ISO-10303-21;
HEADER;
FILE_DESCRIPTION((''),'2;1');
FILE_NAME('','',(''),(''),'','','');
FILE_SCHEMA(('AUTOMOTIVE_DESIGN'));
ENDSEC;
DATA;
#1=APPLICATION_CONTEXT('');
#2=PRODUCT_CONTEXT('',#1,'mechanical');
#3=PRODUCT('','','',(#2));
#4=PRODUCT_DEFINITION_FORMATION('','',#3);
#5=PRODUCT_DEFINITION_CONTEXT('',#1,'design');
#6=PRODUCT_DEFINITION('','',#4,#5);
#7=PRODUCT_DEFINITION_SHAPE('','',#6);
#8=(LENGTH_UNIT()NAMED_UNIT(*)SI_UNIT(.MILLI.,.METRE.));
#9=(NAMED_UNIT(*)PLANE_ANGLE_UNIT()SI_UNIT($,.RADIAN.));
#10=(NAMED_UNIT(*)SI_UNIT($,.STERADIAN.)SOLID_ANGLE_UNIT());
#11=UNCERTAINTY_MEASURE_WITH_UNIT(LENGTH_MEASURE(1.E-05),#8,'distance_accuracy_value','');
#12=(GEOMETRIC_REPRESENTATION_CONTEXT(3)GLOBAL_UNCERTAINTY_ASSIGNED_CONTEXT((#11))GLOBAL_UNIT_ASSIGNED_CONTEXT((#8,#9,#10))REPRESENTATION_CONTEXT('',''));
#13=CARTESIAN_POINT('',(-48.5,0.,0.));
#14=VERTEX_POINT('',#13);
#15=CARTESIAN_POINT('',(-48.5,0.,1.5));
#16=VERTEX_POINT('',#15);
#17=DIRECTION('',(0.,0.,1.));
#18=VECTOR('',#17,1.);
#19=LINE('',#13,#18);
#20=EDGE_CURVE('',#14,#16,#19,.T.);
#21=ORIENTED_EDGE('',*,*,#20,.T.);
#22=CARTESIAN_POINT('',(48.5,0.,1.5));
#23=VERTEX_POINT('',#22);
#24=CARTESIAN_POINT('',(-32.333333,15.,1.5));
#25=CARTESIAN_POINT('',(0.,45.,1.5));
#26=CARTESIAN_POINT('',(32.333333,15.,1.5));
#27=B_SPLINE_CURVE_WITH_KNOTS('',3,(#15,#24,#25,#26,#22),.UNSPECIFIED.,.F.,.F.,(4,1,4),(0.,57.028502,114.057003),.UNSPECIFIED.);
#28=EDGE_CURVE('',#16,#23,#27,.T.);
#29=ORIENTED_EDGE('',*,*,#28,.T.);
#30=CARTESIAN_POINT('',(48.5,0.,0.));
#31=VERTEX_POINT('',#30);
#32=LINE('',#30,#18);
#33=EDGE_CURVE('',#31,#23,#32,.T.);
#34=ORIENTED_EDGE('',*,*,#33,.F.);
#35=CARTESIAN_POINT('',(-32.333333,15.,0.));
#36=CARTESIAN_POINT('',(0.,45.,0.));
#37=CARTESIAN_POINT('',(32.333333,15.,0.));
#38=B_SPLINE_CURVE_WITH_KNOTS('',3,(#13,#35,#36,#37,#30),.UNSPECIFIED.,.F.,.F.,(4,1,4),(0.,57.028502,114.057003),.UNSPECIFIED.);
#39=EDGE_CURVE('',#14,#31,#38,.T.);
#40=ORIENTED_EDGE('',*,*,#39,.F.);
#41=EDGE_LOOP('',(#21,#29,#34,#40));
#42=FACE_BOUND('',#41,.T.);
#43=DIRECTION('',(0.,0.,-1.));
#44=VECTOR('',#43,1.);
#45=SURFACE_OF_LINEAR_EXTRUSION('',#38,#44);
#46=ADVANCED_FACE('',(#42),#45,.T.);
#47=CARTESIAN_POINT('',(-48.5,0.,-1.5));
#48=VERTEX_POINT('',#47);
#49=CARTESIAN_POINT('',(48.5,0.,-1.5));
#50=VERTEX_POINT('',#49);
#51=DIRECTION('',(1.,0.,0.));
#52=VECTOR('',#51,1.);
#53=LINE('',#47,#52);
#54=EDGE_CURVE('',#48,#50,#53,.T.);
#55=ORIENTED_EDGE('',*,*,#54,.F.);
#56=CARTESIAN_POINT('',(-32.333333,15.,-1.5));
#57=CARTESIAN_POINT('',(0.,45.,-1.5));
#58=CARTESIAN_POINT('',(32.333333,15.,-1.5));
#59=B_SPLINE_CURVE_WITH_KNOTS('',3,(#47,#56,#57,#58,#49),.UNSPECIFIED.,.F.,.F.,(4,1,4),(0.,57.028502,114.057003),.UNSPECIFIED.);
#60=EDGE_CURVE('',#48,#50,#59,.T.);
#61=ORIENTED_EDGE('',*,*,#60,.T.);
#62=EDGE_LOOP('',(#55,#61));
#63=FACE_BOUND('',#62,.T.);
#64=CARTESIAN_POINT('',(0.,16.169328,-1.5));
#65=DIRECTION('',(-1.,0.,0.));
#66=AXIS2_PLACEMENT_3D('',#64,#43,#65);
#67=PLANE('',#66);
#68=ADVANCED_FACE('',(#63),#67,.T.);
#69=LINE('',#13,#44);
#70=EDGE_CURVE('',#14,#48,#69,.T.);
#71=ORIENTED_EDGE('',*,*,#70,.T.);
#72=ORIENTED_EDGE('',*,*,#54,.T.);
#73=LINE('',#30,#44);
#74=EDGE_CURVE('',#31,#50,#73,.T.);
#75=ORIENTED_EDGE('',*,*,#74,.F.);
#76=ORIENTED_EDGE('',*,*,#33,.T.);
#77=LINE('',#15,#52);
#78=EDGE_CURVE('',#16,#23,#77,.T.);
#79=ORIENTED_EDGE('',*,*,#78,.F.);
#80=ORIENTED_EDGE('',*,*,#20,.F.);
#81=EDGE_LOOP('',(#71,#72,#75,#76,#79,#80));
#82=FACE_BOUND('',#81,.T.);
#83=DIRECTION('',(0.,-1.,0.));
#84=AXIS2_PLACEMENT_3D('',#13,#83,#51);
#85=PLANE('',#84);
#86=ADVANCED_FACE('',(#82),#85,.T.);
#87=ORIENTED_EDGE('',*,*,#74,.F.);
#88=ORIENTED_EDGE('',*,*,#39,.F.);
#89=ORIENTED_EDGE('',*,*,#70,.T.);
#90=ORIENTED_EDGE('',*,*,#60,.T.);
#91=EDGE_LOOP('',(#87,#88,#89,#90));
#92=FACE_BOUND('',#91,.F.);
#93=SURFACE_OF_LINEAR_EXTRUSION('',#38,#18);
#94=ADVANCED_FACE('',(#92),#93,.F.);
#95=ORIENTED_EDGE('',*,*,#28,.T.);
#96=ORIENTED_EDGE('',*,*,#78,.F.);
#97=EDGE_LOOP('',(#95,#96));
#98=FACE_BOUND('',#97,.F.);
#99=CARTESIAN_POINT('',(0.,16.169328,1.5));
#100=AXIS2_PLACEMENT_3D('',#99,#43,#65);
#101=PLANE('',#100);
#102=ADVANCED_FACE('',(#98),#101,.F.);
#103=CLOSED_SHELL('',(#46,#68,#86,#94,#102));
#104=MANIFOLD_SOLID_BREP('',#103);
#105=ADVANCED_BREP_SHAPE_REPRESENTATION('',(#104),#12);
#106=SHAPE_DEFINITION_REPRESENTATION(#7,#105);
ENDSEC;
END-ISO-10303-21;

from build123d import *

# Parameters (mm, degrees)
F1_DEPTH = 1.5


with BuildPart() as f1:
    # F0 (on Top) → F1 (new body, symmetric)
    with BuildSketch(Plane.XY):
        with BuildLine():
            add(Edge.make_bspline(
                [(-48.5, 0), (-32.333333, 15), (0, 45), (32.333333, 15), (48.5, 0)],
                knots=[0, 0, 0, 0, 57.028502, 114.057003, 114.057003, 114.057003, 114.057003], degree=3))
            Line((-48.5, 0), (-44.075998, 0))
            add(Edge.make_bspline(
                [(-44.075998, 0), (-43.522162, 0.51569), (-40.967805, 2.906609), (-35.91494, 7.698653), (-29.252167, 13.25981), (-22.709684, 18.266104), (-17.215289, 21.837521), (-12.370762, 24.258906), (-8.552276, 25.629944), (-5.611032, 26.447713), (-3.312555, 26.828796), (-1.498771, 26.978399), (0, 27.027697), (1.498771, 26.978399), (3.312555, 26.828796), (5.611032, 26.447713), (8.552276, 25.629944), (12.370762, 24.258906), (17.215289, 21.837521), (22.709684, 18.266104), (29.252167, 13.25981), (35.91494, 7.698653), (40.967805, 2.906609), (43.522162, 0.51569), (44.075998, 0)],
                knots=[3.243264, 3.243264, 3.243264, 3.243264, 5.513399, 13.738339, 24.131091, 31.53053, 38.445023, 43.757513, 47.73583, 50.599934, 52.904182, 54.712969, 56.056773, 57.400578, 59.209365, 61.513612, 64.377717, 68.356034, 73.668524, 80.583017, 87.982455, 98.375208, 106.600147, 108.870282, 108.870282, 108.870282, 108.870282], degree=3))
            Line((44.075998, 0), (48.5, 0))
        make_face()
        with BuildLine():
            add(Edge.make_bspline(
                [(-44.075998, 0), (-43.522162, 0.51569), (-40.967805, 2.906609), (-35.91494, 7.698653), (-29.252167, 13.25981), (-22.709684, 18.266104), (-17.215289, 21.837521), (-12.370762, 24.258906), (-8.552276, 25.629944), (-5.611032, 26.447713), (-3.312555, 26.828796), (-1.498771, 26.978399), (0, 27.027697), (1.498771, 26.978399), (3.312555, 26.828796), (5.611032, 26.447713), (8.552276, 25.629944), (12.370762, 24.258906), (17.215289, 21.837521), (22.709684, 18.266104), (29.252167, 13.25981), (35.91494, 7.698653), (40.967805, 2.906609), (43.522162, 0.51569), (44.075998, 0)],
                knots=[3.243264, 3.243264, 3.243264, 3.243264, 5.513399, 13.738339, 24.131091, 31.53053, 38.445023, 43.757513, 47.73583, 50.599934, 52.904182, 54.712969, 56.056773, 57.400578, 59.209365, 61.513612, 64.377717, 68.356034, 73.668524, 80.583017, 87.982455, 98.375208, 106.600147, 108.870282, 108.870282, 108.870282, 108.870282], degree=3))
            Line((-44.075998, 0), (44.075998, 0))
        make_face()
    extrude(amount=F1_DEPTH, both=True)


solid = f1.part
